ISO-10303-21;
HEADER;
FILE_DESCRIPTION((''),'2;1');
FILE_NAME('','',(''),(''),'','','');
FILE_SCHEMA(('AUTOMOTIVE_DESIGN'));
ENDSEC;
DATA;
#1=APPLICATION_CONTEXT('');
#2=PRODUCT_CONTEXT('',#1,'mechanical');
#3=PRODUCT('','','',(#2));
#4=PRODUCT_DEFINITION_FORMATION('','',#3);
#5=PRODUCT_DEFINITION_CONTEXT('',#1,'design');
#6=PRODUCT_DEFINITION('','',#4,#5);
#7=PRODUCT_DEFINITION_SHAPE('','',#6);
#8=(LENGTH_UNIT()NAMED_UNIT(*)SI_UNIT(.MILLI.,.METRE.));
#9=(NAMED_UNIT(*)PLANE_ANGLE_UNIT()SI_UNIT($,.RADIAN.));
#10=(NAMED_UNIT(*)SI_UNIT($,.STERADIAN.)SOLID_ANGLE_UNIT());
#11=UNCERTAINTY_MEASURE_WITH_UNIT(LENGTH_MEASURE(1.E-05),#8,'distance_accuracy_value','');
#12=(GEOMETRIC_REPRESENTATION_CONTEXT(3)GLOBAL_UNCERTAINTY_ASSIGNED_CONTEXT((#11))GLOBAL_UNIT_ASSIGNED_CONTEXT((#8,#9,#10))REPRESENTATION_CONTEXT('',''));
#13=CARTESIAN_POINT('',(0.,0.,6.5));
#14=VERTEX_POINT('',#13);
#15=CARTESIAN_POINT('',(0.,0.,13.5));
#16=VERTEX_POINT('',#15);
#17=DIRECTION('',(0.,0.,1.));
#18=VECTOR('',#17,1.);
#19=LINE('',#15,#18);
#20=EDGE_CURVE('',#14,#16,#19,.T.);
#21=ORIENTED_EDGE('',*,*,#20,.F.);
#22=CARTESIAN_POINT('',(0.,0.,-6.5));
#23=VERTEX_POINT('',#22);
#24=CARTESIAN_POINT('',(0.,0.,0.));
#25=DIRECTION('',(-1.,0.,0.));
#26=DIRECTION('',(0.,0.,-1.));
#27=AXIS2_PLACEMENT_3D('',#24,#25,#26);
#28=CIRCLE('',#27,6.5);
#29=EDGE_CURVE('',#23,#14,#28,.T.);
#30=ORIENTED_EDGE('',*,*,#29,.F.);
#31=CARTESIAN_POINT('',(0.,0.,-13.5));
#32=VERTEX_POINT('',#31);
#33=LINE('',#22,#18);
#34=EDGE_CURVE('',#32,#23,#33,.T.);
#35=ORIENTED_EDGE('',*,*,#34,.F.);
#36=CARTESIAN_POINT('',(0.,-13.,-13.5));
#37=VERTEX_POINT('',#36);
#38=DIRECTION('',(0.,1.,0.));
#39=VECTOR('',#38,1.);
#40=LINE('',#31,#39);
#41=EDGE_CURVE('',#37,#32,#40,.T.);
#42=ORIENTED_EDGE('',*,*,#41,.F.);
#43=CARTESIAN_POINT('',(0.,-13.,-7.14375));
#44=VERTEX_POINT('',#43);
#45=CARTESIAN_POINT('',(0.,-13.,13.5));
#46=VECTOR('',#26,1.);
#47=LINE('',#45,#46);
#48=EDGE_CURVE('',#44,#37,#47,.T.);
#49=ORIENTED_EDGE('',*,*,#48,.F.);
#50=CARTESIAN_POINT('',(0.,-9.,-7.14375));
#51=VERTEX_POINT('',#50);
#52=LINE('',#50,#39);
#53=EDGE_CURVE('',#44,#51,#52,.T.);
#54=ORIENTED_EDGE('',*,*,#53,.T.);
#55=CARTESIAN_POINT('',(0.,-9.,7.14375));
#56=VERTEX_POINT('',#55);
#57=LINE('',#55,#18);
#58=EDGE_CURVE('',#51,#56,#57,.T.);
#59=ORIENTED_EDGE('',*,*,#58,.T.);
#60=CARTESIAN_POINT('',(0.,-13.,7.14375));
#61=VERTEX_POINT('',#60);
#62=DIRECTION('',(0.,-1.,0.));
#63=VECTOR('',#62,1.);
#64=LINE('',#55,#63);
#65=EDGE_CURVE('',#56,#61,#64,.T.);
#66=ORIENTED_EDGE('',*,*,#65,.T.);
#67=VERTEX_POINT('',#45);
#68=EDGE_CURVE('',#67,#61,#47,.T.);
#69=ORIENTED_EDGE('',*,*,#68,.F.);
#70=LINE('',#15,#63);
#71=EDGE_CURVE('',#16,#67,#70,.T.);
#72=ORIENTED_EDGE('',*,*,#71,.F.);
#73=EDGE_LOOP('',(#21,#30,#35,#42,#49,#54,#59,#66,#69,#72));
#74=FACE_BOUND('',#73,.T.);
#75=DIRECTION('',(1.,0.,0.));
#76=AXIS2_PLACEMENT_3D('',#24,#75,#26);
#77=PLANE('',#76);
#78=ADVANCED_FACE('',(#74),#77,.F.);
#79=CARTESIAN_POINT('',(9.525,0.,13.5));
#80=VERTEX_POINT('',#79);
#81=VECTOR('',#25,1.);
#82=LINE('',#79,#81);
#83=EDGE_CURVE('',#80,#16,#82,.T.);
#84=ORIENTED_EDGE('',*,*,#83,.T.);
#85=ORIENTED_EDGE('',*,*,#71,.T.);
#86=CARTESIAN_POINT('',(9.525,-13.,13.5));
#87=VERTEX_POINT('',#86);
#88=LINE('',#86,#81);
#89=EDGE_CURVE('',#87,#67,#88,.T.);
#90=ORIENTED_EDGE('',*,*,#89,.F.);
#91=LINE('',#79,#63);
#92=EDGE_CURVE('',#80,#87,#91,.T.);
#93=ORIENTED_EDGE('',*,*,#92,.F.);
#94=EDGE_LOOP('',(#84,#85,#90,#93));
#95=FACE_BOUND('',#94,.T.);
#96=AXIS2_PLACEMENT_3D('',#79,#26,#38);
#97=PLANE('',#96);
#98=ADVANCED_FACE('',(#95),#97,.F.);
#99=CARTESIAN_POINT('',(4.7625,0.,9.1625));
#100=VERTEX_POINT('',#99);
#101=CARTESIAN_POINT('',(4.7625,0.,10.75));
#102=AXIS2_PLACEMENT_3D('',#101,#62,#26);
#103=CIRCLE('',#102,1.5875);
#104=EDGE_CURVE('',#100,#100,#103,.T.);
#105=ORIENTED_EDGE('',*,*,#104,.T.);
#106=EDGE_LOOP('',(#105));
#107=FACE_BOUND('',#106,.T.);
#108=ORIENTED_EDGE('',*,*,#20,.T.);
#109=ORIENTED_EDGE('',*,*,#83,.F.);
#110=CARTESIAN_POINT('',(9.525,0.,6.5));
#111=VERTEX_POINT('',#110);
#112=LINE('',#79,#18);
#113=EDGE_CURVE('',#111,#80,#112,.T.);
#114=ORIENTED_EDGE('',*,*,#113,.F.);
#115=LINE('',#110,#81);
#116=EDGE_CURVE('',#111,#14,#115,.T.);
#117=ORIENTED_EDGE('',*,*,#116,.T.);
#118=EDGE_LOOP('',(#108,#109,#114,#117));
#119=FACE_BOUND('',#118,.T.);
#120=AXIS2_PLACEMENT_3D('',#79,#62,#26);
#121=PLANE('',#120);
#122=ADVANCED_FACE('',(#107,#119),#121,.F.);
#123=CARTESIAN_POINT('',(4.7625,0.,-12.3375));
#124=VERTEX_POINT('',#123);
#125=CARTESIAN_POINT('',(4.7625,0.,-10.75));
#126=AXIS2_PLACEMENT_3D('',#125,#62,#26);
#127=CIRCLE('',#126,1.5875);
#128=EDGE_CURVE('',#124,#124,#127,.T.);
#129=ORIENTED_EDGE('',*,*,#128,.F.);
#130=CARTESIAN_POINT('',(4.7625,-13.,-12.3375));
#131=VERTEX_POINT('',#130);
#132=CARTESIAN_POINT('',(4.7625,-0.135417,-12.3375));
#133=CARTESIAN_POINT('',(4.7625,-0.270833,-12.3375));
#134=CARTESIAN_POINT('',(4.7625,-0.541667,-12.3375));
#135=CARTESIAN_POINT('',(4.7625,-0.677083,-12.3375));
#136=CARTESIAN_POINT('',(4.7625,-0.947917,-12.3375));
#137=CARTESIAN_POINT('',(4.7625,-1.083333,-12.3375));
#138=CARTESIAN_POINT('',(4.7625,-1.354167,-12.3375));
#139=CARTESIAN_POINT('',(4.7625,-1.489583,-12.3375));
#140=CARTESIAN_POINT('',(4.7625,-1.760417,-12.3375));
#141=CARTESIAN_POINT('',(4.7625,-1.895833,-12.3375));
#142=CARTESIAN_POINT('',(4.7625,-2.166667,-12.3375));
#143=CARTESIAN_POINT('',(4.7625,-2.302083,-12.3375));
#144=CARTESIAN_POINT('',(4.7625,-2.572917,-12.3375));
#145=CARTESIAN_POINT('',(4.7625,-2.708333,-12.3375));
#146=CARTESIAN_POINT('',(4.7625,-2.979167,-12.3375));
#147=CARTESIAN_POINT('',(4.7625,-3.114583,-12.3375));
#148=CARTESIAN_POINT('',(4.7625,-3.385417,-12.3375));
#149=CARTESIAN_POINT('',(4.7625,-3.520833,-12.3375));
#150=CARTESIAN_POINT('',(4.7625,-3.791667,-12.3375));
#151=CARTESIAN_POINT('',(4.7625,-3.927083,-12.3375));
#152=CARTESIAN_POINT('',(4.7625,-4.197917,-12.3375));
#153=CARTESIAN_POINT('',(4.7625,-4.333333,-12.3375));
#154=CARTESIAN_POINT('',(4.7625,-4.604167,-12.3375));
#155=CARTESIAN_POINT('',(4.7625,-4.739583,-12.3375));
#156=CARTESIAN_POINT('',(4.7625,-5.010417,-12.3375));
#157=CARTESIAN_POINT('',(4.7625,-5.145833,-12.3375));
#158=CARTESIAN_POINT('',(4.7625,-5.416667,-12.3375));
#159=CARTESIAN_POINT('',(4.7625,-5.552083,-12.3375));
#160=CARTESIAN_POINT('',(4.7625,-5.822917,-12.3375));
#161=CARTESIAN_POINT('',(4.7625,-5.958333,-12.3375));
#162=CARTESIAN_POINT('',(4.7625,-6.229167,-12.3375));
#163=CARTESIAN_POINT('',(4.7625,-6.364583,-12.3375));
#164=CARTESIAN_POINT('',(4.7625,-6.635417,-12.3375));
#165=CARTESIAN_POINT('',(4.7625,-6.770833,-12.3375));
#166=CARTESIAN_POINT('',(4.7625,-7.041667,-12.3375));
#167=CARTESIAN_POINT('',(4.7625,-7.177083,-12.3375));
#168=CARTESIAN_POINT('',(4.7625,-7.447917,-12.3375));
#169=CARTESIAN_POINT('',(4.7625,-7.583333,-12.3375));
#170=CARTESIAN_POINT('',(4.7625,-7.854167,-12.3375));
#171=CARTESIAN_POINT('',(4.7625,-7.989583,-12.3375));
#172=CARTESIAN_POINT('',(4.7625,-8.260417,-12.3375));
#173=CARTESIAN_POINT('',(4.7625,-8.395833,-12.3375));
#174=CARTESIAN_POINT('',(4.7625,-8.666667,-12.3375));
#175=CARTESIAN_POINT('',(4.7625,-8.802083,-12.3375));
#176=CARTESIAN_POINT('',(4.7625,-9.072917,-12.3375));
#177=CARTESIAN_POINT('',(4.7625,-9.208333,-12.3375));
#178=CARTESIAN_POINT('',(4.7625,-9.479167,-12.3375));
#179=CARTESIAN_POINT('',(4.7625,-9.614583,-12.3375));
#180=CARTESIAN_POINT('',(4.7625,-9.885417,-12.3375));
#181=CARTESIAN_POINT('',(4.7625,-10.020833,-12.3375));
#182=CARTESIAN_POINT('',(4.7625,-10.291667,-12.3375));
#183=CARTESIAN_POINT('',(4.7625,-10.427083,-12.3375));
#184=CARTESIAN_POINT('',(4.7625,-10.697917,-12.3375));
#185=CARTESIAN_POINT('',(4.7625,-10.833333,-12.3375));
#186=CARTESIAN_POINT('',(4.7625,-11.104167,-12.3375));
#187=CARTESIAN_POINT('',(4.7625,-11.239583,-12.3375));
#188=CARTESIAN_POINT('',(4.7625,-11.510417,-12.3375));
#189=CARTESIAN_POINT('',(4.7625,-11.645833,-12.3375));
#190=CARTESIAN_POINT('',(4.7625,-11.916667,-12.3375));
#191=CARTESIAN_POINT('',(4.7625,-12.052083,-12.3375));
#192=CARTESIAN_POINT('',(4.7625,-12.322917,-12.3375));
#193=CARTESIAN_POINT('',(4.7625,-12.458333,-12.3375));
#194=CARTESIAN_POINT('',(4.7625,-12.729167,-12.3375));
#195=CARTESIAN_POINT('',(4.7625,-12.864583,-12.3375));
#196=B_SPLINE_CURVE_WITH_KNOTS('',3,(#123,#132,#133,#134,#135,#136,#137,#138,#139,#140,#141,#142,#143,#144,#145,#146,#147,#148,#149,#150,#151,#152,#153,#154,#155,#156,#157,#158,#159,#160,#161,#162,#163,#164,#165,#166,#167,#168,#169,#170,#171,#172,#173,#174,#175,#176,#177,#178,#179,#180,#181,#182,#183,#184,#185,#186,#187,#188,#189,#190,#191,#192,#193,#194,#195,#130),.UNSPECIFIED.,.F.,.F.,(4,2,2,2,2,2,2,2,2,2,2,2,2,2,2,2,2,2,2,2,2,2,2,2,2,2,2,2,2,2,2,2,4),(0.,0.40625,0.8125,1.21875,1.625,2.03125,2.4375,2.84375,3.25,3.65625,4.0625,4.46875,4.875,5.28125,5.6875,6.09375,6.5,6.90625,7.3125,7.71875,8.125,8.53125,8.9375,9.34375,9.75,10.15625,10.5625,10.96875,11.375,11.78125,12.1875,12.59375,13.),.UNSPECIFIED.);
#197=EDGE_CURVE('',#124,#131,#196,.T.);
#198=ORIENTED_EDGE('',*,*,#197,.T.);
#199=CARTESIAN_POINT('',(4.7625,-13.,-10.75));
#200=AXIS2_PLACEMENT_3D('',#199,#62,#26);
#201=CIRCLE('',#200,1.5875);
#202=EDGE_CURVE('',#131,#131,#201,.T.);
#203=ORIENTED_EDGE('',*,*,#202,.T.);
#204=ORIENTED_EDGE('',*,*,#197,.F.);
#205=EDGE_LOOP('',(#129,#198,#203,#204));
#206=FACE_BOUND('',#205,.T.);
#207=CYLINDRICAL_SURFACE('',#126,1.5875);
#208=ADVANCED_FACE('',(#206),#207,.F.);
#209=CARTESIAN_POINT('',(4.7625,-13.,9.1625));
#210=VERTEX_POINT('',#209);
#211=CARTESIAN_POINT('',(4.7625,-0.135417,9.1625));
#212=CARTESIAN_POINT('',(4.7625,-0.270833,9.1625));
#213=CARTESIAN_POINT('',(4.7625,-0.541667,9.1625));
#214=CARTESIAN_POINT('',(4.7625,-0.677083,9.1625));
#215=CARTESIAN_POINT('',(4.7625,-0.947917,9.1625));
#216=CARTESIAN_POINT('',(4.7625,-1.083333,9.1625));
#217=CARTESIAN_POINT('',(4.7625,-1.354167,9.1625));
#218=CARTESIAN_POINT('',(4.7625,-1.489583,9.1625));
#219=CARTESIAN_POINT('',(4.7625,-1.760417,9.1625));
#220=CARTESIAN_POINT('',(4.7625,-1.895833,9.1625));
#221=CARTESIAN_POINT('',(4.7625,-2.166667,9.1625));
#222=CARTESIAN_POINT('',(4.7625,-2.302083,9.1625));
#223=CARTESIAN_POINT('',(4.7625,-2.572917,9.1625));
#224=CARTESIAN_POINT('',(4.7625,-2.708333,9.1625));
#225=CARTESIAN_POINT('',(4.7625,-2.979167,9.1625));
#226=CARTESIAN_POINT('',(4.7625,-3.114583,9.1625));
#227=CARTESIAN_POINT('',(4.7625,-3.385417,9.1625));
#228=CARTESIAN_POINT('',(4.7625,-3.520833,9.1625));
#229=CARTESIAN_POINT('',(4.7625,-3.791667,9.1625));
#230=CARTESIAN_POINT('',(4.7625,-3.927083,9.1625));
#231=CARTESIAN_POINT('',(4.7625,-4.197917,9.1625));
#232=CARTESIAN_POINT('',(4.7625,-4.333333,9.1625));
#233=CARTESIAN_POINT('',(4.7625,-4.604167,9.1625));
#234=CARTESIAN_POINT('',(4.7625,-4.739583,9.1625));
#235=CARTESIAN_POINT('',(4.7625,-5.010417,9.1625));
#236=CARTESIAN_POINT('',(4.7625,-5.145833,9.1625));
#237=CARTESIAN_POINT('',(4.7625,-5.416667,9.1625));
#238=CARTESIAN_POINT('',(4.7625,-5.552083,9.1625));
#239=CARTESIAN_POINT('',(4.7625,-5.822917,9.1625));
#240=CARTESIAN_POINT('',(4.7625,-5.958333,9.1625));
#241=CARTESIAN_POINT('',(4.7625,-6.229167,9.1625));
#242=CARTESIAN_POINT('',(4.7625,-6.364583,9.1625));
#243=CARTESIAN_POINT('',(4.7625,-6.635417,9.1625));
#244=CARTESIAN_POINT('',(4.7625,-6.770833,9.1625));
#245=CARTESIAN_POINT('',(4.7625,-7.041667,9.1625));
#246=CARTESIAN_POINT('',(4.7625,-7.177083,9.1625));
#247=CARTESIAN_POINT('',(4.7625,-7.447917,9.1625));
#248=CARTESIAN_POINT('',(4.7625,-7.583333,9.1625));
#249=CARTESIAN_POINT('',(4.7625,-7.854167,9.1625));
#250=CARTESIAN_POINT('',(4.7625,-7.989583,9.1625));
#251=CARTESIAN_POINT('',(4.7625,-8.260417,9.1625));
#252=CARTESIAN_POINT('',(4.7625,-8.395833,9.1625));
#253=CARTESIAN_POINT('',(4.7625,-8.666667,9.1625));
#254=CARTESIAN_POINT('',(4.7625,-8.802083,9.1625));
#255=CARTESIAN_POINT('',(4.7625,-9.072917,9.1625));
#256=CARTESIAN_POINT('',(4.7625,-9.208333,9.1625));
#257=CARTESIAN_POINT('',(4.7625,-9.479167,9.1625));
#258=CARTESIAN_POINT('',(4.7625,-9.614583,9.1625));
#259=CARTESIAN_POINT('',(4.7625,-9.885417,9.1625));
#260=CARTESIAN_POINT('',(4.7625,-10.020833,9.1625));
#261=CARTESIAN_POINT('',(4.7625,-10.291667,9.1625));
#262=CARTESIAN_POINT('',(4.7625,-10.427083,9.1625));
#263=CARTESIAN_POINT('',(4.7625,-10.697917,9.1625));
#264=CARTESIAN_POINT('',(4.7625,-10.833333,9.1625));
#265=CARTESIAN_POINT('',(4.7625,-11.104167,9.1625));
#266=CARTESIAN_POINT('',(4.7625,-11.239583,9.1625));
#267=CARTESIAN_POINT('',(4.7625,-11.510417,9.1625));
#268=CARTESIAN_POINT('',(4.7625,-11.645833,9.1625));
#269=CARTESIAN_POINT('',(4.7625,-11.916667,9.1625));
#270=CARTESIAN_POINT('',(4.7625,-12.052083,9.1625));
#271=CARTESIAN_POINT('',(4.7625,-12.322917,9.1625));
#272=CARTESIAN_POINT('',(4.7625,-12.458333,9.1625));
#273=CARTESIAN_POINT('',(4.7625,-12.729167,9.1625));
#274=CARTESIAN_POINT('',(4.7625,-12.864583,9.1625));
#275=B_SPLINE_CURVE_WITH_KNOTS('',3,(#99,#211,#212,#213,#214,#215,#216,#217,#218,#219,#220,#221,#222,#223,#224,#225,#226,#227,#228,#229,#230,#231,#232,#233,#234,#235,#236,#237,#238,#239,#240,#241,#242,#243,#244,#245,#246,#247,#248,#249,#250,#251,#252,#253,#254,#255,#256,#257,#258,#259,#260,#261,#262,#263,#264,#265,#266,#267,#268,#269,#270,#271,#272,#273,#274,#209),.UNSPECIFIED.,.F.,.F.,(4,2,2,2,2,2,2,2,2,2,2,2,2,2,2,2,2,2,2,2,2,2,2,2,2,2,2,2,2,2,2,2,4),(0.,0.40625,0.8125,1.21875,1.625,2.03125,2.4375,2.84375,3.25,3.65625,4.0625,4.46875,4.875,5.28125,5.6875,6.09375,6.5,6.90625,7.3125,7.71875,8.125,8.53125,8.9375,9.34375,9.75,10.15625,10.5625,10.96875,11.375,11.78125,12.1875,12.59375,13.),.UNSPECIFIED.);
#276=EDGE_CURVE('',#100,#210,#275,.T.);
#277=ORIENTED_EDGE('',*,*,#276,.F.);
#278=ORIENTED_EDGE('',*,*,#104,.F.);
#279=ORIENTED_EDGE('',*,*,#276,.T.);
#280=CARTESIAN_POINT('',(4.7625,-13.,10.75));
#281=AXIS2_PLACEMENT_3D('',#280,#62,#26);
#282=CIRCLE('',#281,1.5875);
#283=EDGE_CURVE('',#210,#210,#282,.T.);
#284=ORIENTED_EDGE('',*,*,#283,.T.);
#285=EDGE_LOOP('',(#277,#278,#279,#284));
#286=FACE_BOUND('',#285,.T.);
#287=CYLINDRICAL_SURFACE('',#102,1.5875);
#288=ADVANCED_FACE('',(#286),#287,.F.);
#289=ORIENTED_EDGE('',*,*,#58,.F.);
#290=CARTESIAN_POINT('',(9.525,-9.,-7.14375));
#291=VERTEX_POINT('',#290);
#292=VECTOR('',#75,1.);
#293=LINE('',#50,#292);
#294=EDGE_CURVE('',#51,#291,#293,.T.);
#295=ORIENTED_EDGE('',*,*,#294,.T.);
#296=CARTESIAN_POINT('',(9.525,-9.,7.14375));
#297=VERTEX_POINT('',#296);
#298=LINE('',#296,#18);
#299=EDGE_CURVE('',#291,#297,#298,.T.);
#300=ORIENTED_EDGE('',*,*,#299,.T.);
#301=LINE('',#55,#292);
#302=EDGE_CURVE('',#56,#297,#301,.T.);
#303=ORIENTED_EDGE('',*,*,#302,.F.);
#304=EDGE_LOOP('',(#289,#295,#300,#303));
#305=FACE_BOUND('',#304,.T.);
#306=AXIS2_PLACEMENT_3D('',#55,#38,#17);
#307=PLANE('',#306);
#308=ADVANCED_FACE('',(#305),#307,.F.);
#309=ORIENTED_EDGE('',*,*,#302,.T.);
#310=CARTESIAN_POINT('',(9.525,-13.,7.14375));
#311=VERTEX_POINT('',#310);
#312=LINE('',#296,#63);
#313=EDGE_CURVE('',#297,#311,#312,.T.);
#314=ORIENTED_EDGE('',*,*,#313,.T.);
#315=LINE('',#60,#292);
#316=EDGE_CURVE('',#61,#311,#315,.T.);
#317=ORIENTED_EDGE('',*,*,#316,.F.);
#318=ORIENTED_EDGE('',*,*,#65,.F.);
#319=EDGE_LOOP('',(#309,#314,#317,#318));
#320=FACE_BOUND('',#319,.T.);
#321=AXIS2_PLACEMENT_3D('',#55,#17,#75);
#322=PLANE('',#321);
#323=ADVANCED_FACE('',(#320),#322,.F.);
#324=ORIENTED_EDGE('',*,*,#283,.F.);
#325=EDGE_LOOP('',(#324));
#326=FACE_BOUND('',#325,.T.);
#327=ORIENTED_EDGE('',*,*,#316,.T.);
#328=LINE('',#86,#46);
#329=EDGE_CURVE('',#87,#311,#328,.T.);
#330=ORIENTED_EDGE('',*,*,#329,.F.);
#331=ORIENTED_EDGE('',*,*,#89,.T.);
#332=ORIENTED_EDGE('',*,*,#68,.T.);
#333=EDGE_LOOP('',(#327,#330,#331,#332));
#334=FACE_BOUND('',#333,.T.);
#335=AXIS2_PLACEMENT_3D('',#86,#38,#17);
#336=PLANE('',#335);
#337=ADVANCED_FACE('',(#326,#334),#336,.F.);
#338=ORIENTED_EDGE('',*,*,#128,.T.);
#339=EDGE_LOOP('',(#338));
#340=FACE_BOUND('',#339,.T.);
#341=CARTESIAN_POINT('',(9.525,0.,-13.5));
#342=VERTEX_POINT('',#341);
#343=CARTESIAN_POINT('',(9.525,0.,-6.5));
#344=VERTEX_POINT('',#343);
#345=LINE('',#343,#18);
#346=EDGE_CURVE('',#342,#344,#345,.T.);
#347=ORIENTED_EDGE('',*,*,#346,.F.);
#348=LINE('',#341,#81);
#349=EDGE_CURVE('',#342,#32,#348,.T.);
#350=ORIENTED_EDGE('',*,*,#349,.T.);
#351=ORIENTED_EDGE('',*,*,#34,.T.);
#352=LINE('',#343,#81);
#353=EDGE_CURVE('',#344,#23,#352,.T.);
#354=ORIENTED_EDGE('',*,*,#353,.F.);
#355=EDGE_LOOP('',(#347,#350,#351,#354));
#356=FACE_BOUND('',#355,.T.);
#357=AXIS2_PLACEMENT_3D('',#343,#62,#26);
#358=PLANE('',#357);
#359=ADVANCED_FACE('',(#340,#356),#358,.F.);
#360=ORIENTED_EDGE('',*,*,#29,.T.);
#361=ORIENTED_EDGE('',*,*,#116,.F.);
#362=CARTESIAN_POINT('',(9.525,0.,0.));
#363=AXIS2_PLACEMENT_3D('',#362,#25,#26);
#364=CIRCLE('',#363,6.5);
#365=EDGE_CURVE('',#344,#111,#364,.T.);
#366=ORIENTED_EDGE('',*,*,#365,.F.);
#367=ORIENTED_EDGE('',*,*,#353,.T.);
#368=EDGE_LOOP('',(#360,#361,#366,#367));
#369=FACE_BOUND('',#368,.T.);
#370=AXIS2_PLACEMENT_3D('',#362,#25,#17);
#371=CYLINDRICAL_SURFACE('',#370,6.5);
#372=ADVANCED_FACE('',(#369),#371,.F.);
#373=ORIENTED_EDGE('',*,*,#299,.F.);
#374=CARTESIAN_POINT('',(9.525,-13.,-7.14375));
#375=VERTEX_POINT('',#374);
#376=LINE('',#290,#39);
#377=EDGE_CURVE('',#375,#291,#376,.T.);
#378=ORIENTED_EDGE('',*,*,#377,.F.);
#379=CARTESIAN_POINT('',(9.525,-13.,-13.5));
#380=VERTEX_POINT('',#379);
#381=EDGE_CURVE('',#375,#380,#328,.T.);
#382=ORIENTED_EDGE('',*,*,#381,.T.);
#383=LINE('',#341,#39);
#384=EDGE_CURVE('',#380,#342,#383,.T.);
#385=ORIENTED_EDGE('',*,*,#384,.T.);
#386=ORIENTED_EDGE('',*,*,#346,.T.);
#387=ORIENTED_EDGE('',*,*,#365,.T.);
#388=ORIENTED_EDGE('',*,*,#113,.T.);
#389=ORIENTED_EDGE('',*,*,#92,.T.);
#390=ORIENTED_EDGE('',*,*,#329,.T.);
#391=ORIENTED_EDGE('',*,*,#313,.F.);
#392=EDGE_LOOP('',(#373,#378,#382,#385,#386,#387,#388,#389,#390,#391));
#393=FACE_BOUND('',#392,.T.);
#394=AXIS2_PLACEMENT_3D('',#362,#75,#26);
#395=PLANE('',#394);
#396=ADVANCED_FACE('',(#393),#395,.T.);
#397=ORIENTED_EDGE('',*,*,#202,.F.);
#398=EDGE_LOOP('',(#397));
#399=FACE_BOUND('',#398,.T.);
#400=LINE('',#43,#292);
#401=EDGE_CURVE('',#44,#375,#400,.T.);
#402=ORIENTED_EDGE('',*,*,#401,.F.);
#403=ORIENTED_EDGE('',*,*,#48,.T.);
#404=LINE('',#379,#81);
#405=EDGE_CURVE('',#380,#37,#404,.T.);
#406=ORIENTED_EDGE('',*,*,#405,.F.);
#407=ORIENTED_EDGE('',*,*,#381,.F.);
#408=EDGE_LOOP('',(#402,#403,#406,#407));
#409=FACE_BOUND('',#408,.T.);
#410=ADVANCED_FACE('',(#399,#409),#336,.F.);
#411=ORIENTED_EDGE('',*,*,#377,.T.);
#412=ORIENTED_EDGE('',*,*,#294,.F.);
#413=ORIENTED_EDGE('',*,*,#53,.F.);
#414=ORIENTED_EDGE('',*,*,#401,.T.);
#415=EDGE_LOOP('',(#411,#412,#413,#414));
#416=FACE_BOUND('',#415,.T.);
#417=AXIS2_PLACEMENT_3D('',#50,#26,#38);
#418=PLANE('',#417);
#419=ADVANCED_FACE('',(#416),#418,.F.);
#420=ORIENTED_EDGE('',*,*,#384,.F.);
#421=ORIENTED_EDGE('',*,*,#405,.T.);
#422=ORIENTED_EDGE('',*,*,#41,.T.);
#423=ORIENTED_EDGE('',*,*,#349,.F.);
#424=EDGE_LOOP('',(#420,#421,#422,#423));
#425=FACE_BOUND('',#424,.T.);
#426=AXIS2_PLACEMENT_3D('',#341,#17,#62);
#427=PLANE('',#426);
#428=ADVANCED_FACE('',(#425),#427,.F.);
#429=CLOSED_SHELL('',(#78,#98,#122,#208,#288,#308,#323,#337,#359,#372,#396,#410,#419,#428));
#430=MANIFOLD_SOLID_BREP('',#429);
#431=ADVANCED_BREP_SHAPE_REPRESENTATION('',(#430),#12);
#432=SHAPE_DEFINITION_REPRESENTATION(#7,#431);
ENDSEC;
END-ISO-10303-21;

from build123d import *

# Parameters (mm, degrees)
BOSS_EXTRUDE1_DEPTH = 9.525
SKETCH3_W           = 14.2875
SKETCH3_H           = 4
CUT_EXTRUDE1_DEPTH  = 22.023216333
SKETCH4_R           = 1.5875
CUT_EXTRUDE2_DEPTH  = 22.023216333


with BuildPart() as part:
    # Sketch1 → Boss-Extrude1 (new body)
    with BuildSketch(Plane(origin=(0, 0, 0), x_dir=(0, 0, -1), z_dir=(1, 0, 0))):
        with BuildLine():
            Line((6.5, 0), (13.5, 0))
            Line((13.5, 0), (13.5, -13))
            Line((13.5, -13), (-13.5, -13))
            Line((-13.5, -13), (-13.5, 0))
            Line((-13.5, 0), (-6.5, 0))
            ThreePointArc((-6.5, 0), (0, -6.5), (6.5, 0))
        make_face()
    extrude(amount=BOSS_EXTRUDE1_DEPTH)

    # Sketch3 → Cut-Extrude1 (cut, through all)
    with BuildSketch(Plane(origin=(9.525, 0, 0), x_dir=(0, 0, -1), z_dir=(1, 0, 0))):
        with Locations((0, -11)):
            Rectangle(SKETCH3_W, SKETCH3_H)
    extrude(amount=-CUT_EXTRUDE1_DEPTH, mode=Mode.SUBTRACT)

    # Sketch4 → Cut-Extrude2 (cut, through all)
    with BuildSketch(Plane.XZ.offset(13)):
        with Locations(Location((4.7625, -10.75, 0), (0, 0, 270))):
            Circle(SKETCH4_R)
        with Locations(Location((4.7625, 10.75, 0), (0, 0, 270))):
            Circle(SKETCH4_R)
    extrude(amount=-CUT_EXTRUDE2_DEPTH, mode=Mode.SUBTRACT)


solid = part.part
